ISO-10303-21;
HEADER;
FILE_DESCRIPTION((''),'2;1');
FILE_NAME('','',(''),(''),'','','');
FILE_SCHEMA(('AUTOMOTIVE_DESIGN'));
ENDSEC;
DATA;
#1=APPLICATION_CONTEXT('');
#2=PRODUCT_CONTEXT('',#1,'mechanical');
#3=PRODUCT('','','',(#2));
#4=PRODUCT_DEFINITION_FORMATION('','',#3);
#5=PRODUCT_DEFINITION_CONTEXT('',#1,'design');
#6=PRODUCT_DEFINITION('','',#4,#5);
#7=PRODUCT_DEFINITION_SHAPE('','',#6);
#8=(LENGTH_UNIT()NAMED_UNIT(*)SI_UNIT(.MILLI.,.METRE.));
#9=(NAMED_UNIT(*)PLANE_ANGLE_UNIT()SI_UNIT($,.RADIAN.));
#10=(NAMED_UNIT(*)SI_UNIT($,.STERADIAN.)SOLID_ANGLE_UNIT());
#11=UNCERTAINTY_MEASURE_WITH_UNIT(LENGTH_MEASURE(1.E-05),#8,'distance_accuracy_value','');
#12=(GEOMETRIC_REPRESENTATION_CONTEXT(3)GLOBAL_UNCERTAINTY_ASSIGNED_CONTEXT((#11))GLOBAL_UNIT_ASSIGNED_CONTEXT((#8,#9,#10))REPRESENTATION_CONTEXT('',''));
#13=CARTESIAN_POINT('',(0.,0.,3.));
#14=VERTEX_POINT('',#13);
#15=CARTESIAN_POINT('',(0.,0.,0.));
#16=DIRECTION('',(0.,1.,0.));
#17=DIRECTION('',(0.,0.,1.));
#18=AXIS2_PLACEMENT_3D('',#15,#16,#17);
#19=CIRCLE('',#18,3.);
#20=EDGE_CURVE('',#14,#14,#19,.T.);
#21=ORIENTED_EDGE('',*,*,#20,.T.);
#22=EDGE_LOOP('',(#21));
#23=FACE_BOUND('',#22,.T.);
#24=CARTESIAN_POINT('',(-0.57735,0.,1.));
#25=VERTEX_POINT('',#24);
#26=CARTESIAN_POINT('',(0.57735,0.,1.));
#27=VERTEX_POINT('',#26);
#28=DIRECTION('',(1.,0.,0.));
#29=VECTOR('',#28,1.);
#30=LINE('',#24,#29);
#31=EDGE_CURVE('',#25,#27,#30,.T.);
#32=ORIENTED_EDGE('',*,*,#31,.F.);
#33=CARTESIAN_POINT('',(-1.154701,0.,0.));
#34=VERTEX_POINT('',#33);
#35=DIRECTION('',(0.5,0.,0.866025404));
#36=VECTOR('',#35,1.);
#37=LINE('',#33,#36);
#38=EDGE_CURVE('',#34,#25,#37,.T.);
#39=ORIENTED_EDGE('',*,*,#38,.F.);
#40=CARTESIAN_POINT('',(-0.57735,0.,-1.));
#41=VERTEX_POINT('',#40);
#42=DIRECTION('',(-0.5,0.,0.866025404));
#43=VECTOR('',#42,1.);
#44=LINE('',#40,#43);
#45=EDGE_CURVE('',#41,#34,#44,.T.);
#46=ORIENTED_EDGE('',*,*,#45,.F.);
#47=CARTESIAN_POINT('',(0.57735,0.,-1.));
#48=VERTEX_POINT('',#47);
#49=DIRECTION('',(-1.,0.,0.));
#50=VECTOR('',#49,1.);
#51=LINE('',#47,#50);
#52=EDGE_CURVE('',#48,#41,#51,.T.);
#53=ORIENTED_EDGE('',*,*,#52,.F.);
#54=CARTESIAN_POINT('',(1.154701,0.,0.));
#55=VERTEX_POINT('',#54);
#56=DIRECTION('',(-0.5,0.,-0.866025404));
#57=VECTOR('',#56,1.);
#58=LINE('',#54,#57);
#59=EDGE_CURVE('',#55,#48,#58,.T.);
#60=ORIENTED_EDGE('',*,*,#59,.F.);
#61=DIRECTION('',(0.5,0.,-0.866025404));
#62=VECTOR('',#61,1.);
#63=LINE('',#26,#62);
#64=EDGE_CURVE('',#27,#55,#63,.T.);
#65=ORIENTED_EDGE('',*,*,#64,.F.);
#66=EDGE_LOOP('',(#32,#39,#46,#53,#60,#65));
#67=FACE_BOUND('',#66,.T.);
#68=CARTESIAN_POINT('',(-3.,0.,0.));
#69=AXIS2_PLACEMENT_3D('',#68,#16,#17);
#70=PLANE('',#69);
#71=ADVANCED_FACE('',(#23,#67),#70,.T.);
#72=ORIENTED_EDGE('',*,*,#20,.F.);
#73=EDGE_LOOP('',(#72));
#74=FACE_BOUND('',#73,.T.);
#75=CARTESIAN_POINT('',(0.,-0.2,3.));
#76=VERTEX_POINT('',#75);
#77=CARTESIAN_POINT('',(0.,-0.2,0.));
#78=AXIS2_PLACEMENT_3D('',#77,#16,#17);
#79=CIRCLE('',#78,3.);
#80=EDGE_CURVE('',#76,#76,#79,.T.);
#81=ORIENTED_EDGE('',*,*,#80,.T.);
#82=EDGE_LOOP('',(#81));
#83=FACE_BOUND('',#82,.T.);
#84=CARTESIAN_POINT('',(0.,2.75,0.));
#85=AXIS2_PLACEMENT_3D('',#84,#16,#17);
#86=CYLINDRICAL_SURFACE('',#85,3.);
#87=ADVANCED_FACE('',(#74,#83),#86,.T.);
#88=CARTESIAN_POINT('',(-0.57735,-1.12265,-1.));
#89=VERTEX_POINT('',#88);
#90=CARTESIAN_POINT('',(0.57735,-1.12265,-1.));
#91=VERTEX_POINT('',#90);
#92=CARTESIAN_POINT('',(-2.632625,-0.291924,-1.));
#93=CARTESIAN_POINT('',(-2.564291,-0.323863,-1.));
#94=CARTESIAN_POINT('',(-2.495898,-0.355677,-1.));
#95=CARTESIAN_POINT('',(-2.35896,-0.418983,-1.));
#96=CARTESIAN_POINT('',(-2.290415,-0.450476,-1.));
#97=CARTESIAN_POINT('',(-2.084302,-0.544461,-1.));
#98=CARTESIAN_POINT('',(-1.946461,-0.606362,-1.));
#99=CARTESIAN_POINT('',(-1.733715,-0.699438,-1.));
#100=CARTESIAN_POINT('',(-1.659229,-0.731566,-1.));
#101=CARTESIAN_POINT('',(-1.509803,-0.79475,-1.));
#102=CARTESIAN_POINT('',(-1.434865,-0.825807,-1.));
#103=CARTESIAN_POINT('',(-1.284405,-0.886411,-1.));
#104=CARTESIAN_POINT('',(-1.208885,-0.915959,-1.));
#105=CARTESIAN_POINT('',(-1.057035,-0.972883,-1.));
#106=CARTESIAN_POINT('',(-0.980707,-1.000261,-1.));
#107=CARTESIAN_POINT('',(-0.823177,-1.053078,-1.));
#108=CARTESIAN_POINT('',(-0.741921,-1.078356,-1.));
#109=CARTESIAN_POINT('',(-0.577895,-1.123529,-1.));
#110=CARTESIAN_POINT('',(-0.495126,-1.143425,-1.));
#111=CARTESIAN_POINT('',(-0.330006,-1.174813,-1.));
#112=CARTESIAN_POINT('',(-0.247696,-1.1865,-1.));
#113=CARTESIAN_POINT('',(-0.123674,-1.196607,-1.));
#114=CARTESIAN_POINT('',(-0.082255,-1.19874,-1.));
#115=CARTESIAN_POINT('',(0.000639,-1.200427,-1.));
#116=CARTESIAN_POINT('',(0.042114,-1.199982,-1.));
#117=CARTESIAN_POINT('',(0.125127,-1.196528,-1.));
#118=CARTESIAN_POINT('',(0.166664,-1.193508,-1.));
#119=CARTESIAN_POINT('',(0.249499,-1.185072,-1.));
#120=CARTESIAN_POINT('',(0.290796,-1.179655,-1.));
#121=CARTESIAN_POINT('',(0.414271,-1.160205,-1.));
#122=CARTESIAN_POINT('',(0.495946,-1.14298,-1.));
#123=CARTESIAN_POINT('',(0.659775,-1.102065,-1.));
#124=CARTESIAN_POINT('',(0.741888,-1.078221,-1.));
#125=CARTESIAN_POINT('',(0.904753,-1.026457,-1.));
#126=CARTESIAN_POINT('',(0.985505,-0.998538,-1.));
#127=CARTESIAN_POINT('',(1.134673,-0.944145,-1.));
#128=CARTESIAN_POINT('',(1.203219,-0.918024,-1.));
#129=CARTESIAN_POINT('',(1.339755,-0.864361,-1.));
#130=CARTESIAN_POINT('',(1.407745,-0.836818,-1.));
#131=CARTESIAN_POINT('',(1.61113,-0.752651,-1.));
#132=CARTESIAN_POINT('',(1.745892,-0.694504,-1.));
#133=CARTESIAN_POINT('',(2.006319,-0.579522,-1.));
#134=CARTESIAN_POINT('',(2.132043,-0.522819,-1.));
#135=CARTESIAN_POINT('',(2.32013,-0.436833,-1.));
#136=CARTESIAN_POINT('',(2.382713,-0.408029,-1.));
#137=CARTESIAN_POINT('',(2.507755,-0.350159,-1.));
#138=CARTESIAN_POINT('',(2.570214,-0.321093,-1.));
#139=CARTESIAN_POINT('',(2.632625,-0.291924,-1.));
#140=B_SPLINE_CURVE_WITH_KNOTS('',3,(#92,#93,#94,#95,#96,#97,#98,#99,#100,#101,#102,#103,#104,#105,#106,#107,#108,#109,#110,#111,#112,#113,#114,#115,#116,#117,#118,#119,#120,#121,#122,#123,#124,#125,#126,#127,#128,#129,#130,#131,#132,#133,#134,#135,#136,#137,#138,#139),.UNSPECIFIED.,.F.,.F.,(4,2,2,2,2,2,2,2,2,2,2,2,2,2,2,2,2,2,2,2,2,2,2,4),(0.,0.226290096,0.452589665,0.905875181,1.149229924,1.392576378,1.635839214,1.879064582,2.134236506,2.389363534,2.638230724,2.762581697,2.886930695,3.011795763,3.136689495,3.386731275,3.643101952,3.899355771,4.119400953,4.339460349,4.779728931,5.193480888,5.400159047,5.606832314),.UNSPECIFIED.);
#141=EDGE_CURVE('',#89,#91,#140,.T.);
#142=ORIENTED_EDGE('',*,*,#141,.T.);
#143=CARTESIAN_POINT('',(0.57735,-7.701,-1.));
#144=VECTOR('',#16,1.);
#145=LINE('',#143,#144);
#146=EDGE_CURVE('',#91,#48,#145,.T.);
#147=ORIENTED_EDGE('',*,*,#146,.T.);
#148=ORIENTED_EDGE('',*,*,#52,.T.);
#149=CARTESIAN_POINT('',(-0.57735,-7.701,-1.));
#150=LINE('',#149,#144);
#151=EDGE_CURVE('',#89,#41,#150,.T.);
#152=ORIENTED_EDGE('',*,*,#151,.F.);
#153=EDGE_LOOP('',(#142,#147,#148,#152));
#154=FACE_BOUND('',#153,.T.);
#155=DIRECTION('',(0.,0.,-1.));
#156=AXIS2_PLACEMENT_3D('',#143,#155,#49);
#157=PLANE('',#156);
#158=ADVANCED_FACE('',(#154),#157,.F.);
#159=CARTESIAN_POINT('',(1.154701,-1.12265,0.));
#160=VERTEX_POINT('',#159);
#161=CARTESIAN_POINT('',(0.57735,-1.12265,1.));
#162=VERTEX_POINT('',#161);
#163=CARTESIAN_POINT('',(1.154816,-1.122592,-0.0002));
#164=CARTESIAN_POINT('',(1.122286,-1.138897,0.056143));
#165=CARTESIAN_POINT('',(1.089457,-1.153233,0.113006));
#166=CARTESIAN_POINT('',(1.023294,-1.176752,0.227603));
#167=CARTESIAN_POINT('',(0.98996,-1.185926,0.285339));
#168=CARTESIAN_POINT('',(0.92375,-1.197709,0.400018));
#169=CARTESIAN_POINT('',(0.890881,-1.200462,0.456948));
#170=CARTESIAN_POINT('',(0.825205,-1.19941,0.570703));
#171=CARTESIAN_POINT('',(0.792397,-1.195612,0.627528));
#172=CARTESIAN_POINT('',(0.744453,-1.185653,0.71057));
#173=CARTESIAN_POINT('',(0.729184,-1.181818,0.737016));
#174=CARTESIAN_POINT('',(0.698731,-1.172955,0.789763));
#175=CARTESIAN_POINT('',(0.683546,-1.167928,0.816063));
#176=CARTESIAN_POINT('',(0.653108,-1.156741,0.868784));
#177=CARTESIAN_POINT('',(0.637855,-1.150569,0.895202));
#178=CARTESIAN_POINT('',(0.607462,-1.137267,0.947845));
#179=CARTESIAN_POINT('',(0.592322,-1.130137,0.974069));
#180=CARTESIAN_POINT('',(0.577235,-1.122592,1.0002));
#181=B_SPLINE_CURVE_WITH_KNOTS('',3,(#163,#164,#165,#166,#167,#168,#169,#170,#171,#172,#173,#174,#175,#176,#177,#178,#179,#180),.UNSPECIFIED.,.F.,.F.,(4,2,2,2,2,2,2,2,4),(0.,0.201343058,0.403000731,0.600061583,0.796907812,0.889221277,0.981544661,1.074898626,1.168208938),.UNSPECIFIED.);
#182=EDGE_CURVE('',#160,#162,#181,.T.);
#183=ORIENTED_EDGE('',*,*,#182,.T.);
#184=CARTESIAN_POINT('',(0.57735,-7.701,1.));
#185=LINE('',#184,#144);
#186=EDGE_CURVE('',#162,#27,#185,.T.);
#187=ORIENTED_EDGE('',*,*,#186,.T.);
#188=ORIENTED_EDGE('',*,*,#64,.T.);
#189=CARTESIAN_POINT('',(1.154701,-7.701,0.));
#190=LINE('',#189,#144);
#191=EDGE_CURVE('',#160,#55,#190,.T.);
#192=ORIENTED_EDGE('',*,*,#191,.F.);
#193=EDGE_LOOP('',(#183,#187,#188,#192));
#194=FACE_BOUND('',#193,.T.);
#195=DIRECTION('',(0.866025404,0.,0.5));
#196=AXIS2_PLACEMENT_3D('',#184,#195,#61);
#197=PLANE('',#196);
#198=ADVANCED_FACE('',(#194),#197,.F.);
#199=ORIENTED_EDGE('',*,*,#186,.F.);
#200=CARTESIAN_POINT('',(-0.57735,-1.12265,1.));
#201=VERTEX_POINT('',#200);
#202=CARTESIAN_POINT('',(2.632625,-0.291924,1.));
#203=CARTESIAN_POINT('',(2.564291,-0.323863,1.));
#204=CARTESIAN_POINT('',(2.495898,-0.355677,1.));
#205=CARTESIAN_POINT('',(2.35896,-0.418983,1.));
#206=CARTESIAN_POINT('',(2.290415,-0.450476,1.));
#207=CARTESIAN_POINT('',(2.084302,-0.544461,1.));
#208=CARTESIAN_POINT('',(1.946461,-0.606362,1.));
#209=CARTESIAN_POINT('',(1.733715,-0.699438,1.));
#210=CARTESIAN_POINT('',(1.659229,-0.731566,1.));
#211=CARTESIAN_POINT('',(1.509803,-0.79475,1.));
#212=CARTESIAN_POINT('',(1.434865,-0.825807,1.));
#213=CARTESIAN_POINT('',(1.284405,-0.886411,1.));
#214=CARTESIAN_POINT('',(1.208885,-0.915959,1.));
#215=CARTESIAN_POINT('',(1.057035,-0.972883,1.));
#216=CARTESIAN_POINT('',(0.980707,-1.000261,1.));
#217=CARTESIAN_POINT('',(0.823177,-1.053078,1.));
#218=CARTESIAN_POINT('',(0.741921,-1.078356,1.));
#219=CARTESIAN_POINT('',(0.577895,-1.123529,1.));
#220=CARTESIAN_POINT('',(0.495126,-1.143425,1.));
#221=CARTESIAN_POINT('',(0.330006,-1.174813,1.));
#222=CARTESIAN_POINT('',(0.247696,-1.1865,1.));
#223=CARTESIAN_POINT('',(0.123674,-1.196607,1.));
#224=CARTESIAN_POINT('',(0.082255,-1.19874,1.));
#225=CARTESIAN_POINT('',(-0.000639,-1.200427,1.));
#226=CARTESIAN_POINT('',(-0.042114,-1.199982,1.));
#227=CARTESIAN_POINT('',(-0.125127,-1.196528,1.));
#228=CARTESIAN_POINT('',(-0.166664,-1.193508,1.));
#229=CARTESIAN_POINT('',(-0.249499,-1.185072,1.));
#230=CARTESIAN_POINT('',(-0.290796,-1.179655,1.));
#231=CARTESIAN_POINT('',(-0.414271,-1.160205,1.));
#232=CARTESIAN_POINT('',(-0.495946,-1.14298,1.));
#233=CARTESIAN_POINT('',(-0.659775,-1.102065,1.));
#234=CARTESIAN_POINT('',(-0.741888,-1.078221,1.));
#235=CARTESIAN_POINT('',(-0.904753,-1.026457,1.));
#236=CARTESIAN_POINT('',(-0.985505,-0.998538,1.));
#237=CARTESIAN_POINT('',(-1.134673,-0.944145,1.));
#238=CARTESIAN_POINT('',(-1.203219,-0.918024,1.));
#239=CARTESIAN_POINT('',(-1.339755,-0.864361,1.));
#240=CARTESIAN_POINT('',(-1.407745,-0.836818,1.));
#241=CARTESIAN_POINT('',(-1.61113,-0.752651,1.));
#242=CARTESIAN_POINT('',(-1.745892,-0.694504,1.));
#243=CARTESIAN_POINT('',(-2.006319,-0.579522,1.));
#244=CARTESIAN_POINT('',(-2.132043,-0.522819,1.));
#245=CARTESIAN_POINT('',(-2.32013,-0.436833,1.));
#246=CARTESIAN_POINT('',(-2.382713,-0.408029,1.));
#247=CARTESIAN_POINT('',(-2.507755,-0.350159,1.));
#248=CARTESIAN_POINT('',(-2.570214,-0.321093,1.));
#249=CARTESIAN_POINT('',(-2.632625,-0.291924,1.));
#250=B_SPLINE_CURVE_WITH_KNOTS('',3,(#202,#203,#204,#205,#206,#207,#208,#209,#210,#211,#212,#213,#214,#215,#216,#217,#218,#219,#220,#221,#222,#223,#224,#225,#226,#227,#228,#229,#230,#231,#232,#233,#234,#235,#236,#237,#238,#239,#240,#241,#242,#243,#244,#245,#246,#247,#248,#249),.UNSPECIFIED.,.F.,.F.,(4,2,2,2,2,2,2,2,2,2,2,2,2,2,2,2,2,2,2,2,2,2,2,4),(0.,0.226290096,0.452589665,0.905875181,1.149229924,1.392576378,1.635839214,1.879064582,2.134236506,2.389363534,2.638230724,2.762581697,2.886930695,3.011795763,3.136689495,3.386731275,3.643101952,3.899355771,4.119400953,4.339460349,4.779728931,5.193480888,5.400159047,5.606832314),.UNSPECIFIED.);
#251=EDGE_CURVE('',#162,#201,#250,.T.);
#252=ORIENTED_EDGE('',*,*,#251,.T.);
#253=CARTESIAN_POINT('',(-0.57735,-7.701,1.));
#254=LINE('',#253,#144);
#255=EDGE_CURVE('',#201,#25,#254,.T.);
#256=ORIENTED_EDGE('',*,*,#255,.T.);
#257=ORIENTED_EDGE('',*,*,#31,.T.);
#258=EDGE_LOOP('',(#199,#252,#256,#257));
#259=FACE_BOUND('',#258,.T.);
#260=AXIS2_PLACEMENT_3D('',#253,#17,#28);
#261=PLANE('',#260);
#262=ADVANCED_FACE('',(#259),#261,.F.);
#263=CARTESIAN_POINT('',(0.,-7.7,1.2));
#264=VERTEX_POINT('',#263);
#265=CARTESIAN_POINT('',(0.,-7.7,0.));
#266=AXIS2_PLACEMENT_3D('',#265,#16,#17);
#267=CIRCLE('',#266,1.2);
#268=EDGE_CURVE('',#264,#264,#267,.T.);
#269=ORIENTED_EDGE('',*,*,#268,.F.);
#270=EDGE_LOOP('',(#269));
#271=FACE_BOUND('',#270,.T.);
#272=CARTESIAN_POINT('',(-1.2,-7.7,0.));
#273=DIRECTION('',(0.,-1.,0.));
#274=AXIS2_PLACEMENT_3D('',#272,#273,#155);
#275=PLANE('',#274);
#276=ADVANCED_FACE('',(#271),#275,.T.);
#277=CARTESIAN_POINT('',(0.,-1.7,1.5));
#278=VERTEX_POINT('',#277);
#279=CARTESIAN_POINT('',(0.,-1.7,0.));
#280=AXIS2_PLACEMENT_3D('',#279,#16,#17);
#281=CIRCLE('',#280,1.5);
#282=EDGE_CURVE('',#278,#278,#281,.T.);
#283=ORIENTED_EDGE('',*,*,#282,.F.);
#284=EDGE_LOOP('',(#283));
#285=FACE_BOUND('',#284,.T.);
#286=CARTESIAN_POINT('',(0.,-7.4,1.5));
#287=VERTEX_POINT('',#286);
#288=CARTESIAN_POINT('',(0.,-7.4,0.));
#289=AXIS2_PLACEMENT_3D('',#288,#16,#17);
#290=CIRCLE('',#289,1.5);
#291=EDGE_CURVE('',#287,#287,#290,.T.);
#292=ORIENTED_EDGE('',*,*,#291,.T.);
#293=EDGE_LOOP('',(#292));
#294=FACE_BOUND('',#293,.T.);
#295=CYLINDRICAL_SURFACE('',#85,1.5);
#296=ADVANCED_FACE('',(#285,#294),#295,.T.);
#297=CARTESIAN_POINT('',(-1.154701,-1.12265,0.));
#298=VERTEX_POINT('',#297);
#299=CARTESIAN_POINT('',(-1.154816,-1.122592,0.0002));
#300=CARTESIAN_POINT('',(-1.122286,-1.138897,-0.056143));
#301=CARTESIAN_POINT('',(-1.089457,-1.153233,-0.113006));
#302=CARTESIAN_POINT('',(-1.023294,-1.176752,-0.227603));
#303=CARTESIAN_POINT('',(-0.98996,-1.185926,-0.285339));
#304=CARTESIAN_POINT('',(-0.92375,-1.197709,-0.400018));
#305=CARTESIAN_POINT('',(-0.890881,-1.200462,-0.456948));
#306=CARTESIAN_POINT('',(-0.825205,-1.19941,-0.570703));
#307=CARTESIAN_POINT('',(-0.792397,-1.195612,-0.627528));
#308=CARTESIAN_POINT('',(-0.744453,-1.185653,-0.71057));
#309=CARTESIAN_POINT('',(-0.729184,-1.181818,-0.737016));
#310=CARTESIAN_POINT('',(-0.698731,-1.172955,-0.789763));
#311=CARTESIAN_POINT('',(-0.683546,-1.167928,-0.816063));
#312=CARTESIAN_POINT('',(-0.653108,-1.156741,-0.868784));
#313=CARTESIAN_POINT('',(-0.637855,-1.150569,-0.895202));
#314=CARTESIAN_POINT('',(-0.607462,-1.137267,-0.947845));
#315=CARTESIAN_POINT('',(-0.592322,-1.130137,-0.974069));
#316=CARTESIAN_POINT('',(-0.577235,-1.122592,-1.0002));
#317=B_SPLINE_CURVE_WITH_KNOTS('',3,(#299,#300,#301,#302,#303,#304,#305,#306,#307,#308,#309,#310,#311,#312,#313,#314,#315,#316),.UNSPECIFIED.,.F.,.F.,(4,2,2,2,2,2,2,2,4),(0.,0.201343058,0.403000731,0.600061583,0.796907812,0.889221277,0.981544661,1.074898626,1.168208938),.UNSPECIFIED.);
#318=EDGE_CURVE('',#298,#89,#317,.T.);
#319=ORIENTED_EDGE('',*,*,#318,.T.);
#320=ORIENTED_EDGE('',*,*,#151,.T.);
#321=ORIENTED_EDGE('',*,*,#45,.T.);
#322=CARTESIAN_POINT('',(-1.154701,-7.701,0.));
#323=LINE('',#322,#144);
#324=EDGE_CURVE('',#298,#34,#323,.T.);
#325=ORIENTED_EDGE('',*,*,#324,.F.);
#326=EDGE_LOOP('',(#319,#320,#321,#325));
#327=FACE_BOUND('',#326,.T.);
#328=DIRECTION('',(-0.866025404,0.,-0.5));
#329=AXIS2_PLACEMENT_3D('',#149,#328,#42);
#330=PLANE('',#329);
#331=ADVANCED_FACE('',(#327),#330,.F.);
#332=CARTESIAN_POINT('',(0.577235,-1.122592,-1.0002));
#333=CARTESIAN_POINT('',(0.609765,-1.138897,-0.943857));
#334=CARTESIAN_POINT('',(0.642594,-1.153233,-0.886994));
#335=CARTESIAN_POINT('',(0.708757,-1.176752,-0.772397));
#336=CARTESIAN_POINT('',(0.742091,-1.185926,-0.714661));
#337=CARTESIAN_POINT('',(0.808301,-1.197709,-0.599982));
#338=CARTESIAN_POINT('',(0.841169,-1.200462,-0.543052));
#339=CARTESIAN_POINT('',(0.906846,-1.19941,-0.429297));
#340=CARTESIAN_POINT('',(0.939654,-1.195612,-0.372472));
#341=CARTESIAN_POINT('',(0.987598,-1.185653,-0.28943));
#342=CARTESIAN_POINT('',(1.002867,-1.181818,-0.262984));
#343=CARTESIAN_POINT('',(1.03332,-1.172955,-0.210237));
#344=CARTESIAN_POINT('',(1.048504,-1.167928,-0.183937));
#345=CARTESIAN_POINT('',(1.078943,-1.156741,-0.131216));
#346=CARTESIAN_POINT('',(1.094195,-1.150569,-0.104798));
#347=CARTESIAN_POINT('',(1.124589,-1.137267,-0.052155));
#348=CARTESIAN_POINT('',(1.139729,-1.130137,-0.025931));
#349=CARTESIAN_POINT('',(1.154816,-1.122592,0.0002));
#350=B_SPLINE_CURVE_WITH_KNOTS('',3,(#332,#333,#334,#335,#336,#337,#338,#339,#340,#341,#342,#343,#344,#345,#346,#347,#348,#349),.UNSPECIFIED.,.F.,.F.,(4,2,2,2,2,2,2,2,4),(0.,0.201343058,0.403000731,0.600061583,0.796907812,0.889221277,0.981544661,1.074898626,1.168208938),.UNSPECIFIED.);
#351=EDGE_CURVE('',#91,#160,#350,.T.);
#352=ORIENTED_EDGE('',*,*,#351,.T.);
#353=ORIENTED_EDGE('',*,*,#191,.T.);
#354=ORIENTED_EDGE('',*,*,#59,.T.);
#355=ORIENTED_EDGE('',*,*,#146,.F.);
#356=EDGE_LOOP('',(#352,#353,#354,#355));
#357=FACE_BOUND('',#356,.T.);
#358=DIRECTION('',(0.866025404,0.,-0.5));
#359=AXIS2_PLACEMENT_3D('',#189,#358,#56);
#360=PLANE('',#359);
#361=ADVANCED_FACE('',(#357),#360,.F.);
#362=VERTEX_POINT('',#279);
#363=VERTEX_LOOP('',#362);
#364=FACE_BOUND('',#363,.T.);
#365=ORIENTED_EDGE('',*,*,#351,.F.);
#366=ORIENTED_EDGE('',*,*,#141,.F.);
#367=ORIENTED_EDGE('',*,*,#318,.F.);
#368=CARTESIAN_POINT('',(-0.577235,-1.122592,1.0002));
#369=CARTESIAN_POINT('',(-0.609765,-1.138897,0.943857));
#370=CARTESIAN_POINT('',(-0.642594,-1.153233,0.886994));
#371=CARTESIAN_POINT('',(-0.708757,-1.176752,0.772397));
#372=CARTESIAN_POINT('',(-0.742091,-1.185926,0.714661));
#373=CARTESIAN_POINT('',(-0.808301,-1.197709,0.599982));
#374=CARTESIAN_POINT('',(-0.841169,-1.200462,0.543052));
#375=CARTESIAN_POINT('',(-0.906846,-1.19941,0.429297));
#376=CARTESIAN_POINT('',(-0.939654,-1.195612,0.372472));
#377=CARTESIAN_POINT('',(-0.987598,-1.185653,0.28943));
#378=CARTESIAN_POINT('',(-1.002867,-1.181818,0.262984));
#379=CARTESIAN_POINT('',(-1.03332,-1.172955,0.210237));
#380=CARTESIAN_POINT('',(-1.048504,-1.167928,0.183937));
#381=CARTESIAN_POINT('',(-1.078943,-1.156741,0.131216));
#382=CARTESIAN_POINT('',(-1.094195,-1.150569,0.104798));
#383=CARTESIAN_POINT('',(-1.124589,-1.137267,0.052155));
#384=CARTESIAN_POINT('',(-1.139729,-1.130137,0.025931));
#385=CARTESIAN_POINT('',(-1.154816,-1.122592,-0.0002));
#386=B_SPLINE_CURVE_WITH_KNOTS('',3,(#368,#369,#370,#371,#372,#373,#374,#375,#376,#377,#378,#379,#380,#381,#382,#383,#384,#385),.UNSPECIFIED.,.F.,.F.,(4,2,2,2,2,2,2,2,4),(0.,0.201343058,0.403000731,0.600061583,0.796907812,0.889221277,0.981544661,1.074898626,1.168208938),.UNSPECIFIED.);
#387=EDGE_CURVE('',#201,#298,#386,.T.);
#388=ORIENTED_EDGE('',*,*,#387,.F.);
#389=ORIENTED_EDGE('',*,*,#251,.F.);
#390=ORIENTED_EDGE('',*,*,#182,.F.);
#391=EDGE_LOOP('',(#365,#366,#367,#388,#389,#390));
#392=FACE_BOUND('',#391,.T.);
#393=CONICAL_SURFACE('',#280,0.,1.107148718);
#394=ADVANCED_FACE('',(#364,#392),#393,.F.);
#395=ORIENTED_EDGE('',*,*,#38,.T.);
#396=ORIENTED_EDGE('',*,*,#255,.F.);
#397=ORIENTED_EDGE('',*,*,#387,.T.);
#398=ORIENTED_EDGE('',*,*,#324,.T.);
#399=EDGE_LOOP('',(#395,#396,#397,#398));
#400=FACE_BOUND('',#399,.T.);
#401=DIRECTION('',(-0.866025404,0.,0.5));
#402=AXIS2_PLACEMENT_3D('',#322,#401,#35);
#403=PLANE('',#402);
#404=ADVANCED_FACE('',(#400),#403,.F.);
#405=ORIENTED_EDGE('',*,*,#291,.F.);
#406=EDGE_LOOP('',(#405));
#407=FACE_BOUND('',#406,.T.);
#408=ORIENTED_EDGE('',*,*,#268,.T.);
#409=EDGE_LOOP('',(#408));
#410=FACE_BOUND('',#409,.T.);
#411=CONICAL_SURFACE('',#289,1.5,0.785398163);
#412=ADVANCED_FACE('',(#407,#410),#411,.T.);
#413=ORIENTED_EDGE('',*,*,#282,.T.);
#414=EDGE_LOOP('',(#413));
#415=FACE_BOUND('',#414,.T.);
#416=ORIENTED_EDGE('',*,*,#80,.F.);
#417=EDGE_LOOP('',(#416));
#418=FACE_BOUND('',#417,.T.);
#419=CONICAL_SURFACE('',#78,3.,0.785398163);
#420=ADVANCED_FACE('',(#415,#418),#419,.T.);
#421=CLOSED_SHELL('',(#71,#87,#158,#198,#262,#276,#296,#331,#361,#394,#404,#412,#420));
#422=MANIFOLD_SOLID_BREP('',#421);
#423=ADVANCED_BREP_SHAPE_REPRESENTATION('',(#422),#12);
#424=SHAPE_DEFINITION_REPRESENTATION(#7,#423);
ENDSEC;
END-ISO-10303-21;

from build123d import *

# Parameters (mm, degrees)
CUT_EXTRUDE2_REACH = 10.791


with BuildPart() as part:
    # Sketch1 → Revolve1 (revolve)
    with BuildSketch(Plane.XY, mode=Mode.PRIVATE) as revolve1_sk:
        Polygon((-1.5, -1.7), (-1.5, -7.4), (-1.2, -7.7), (0, -7.7), (0, -1.7), (-1, -1.2), (-1, 0), (-3, 0), (-3, -0.2), align=None)
    revolve(revolve1_sk.sketch.rotate(Axis((0, 2.75, 0), (0, -1, 0)), 270), axis=Axis((0, 2.75, 0), (0, -1, 0)))

    # Cut-Extrude2: up to this cone (the profile starts inside it)
    cut_extrude2_end = Plane(origin=(0, 0, 0), z_dir=(0, 1, 0)).offset(-1.699999) * Cone(2e-06, 32.782, 16.390999, align=(Align.CENTER, Align.CENTER, Align.MIN), mode=Mode.PRIVATE)
    # Sketch3 → Cut-Extrude2 (cut, up to the surface)
    with BuildSketch(Plane(origin=(0, 0, 0), x_dir=(1, 0, 0), z_dir=(0, 1, 0)), mode=Mode.PRIVATE) as cut_extrude2_sk1:
        Polygon((-0.577350269, -1), (0.577350269, -1), (1.154700538, 0), (0.577350269, 1), (-0.577350269, 1), (-1.154700538, 0), align=None)
    cut_extrude2_tool1 = extrude(cut_extrude2_sk1.sketch, amount=-CUT_EXTRUDE2_REACH, mode=Mode.PRIVATE) & cut_extrude2_end
    add(cut_extrude2_tool1.solids().sort_by_distance((0, 0, 0))[0], mode=Mode.SUBTRACT)


solid = part.part
